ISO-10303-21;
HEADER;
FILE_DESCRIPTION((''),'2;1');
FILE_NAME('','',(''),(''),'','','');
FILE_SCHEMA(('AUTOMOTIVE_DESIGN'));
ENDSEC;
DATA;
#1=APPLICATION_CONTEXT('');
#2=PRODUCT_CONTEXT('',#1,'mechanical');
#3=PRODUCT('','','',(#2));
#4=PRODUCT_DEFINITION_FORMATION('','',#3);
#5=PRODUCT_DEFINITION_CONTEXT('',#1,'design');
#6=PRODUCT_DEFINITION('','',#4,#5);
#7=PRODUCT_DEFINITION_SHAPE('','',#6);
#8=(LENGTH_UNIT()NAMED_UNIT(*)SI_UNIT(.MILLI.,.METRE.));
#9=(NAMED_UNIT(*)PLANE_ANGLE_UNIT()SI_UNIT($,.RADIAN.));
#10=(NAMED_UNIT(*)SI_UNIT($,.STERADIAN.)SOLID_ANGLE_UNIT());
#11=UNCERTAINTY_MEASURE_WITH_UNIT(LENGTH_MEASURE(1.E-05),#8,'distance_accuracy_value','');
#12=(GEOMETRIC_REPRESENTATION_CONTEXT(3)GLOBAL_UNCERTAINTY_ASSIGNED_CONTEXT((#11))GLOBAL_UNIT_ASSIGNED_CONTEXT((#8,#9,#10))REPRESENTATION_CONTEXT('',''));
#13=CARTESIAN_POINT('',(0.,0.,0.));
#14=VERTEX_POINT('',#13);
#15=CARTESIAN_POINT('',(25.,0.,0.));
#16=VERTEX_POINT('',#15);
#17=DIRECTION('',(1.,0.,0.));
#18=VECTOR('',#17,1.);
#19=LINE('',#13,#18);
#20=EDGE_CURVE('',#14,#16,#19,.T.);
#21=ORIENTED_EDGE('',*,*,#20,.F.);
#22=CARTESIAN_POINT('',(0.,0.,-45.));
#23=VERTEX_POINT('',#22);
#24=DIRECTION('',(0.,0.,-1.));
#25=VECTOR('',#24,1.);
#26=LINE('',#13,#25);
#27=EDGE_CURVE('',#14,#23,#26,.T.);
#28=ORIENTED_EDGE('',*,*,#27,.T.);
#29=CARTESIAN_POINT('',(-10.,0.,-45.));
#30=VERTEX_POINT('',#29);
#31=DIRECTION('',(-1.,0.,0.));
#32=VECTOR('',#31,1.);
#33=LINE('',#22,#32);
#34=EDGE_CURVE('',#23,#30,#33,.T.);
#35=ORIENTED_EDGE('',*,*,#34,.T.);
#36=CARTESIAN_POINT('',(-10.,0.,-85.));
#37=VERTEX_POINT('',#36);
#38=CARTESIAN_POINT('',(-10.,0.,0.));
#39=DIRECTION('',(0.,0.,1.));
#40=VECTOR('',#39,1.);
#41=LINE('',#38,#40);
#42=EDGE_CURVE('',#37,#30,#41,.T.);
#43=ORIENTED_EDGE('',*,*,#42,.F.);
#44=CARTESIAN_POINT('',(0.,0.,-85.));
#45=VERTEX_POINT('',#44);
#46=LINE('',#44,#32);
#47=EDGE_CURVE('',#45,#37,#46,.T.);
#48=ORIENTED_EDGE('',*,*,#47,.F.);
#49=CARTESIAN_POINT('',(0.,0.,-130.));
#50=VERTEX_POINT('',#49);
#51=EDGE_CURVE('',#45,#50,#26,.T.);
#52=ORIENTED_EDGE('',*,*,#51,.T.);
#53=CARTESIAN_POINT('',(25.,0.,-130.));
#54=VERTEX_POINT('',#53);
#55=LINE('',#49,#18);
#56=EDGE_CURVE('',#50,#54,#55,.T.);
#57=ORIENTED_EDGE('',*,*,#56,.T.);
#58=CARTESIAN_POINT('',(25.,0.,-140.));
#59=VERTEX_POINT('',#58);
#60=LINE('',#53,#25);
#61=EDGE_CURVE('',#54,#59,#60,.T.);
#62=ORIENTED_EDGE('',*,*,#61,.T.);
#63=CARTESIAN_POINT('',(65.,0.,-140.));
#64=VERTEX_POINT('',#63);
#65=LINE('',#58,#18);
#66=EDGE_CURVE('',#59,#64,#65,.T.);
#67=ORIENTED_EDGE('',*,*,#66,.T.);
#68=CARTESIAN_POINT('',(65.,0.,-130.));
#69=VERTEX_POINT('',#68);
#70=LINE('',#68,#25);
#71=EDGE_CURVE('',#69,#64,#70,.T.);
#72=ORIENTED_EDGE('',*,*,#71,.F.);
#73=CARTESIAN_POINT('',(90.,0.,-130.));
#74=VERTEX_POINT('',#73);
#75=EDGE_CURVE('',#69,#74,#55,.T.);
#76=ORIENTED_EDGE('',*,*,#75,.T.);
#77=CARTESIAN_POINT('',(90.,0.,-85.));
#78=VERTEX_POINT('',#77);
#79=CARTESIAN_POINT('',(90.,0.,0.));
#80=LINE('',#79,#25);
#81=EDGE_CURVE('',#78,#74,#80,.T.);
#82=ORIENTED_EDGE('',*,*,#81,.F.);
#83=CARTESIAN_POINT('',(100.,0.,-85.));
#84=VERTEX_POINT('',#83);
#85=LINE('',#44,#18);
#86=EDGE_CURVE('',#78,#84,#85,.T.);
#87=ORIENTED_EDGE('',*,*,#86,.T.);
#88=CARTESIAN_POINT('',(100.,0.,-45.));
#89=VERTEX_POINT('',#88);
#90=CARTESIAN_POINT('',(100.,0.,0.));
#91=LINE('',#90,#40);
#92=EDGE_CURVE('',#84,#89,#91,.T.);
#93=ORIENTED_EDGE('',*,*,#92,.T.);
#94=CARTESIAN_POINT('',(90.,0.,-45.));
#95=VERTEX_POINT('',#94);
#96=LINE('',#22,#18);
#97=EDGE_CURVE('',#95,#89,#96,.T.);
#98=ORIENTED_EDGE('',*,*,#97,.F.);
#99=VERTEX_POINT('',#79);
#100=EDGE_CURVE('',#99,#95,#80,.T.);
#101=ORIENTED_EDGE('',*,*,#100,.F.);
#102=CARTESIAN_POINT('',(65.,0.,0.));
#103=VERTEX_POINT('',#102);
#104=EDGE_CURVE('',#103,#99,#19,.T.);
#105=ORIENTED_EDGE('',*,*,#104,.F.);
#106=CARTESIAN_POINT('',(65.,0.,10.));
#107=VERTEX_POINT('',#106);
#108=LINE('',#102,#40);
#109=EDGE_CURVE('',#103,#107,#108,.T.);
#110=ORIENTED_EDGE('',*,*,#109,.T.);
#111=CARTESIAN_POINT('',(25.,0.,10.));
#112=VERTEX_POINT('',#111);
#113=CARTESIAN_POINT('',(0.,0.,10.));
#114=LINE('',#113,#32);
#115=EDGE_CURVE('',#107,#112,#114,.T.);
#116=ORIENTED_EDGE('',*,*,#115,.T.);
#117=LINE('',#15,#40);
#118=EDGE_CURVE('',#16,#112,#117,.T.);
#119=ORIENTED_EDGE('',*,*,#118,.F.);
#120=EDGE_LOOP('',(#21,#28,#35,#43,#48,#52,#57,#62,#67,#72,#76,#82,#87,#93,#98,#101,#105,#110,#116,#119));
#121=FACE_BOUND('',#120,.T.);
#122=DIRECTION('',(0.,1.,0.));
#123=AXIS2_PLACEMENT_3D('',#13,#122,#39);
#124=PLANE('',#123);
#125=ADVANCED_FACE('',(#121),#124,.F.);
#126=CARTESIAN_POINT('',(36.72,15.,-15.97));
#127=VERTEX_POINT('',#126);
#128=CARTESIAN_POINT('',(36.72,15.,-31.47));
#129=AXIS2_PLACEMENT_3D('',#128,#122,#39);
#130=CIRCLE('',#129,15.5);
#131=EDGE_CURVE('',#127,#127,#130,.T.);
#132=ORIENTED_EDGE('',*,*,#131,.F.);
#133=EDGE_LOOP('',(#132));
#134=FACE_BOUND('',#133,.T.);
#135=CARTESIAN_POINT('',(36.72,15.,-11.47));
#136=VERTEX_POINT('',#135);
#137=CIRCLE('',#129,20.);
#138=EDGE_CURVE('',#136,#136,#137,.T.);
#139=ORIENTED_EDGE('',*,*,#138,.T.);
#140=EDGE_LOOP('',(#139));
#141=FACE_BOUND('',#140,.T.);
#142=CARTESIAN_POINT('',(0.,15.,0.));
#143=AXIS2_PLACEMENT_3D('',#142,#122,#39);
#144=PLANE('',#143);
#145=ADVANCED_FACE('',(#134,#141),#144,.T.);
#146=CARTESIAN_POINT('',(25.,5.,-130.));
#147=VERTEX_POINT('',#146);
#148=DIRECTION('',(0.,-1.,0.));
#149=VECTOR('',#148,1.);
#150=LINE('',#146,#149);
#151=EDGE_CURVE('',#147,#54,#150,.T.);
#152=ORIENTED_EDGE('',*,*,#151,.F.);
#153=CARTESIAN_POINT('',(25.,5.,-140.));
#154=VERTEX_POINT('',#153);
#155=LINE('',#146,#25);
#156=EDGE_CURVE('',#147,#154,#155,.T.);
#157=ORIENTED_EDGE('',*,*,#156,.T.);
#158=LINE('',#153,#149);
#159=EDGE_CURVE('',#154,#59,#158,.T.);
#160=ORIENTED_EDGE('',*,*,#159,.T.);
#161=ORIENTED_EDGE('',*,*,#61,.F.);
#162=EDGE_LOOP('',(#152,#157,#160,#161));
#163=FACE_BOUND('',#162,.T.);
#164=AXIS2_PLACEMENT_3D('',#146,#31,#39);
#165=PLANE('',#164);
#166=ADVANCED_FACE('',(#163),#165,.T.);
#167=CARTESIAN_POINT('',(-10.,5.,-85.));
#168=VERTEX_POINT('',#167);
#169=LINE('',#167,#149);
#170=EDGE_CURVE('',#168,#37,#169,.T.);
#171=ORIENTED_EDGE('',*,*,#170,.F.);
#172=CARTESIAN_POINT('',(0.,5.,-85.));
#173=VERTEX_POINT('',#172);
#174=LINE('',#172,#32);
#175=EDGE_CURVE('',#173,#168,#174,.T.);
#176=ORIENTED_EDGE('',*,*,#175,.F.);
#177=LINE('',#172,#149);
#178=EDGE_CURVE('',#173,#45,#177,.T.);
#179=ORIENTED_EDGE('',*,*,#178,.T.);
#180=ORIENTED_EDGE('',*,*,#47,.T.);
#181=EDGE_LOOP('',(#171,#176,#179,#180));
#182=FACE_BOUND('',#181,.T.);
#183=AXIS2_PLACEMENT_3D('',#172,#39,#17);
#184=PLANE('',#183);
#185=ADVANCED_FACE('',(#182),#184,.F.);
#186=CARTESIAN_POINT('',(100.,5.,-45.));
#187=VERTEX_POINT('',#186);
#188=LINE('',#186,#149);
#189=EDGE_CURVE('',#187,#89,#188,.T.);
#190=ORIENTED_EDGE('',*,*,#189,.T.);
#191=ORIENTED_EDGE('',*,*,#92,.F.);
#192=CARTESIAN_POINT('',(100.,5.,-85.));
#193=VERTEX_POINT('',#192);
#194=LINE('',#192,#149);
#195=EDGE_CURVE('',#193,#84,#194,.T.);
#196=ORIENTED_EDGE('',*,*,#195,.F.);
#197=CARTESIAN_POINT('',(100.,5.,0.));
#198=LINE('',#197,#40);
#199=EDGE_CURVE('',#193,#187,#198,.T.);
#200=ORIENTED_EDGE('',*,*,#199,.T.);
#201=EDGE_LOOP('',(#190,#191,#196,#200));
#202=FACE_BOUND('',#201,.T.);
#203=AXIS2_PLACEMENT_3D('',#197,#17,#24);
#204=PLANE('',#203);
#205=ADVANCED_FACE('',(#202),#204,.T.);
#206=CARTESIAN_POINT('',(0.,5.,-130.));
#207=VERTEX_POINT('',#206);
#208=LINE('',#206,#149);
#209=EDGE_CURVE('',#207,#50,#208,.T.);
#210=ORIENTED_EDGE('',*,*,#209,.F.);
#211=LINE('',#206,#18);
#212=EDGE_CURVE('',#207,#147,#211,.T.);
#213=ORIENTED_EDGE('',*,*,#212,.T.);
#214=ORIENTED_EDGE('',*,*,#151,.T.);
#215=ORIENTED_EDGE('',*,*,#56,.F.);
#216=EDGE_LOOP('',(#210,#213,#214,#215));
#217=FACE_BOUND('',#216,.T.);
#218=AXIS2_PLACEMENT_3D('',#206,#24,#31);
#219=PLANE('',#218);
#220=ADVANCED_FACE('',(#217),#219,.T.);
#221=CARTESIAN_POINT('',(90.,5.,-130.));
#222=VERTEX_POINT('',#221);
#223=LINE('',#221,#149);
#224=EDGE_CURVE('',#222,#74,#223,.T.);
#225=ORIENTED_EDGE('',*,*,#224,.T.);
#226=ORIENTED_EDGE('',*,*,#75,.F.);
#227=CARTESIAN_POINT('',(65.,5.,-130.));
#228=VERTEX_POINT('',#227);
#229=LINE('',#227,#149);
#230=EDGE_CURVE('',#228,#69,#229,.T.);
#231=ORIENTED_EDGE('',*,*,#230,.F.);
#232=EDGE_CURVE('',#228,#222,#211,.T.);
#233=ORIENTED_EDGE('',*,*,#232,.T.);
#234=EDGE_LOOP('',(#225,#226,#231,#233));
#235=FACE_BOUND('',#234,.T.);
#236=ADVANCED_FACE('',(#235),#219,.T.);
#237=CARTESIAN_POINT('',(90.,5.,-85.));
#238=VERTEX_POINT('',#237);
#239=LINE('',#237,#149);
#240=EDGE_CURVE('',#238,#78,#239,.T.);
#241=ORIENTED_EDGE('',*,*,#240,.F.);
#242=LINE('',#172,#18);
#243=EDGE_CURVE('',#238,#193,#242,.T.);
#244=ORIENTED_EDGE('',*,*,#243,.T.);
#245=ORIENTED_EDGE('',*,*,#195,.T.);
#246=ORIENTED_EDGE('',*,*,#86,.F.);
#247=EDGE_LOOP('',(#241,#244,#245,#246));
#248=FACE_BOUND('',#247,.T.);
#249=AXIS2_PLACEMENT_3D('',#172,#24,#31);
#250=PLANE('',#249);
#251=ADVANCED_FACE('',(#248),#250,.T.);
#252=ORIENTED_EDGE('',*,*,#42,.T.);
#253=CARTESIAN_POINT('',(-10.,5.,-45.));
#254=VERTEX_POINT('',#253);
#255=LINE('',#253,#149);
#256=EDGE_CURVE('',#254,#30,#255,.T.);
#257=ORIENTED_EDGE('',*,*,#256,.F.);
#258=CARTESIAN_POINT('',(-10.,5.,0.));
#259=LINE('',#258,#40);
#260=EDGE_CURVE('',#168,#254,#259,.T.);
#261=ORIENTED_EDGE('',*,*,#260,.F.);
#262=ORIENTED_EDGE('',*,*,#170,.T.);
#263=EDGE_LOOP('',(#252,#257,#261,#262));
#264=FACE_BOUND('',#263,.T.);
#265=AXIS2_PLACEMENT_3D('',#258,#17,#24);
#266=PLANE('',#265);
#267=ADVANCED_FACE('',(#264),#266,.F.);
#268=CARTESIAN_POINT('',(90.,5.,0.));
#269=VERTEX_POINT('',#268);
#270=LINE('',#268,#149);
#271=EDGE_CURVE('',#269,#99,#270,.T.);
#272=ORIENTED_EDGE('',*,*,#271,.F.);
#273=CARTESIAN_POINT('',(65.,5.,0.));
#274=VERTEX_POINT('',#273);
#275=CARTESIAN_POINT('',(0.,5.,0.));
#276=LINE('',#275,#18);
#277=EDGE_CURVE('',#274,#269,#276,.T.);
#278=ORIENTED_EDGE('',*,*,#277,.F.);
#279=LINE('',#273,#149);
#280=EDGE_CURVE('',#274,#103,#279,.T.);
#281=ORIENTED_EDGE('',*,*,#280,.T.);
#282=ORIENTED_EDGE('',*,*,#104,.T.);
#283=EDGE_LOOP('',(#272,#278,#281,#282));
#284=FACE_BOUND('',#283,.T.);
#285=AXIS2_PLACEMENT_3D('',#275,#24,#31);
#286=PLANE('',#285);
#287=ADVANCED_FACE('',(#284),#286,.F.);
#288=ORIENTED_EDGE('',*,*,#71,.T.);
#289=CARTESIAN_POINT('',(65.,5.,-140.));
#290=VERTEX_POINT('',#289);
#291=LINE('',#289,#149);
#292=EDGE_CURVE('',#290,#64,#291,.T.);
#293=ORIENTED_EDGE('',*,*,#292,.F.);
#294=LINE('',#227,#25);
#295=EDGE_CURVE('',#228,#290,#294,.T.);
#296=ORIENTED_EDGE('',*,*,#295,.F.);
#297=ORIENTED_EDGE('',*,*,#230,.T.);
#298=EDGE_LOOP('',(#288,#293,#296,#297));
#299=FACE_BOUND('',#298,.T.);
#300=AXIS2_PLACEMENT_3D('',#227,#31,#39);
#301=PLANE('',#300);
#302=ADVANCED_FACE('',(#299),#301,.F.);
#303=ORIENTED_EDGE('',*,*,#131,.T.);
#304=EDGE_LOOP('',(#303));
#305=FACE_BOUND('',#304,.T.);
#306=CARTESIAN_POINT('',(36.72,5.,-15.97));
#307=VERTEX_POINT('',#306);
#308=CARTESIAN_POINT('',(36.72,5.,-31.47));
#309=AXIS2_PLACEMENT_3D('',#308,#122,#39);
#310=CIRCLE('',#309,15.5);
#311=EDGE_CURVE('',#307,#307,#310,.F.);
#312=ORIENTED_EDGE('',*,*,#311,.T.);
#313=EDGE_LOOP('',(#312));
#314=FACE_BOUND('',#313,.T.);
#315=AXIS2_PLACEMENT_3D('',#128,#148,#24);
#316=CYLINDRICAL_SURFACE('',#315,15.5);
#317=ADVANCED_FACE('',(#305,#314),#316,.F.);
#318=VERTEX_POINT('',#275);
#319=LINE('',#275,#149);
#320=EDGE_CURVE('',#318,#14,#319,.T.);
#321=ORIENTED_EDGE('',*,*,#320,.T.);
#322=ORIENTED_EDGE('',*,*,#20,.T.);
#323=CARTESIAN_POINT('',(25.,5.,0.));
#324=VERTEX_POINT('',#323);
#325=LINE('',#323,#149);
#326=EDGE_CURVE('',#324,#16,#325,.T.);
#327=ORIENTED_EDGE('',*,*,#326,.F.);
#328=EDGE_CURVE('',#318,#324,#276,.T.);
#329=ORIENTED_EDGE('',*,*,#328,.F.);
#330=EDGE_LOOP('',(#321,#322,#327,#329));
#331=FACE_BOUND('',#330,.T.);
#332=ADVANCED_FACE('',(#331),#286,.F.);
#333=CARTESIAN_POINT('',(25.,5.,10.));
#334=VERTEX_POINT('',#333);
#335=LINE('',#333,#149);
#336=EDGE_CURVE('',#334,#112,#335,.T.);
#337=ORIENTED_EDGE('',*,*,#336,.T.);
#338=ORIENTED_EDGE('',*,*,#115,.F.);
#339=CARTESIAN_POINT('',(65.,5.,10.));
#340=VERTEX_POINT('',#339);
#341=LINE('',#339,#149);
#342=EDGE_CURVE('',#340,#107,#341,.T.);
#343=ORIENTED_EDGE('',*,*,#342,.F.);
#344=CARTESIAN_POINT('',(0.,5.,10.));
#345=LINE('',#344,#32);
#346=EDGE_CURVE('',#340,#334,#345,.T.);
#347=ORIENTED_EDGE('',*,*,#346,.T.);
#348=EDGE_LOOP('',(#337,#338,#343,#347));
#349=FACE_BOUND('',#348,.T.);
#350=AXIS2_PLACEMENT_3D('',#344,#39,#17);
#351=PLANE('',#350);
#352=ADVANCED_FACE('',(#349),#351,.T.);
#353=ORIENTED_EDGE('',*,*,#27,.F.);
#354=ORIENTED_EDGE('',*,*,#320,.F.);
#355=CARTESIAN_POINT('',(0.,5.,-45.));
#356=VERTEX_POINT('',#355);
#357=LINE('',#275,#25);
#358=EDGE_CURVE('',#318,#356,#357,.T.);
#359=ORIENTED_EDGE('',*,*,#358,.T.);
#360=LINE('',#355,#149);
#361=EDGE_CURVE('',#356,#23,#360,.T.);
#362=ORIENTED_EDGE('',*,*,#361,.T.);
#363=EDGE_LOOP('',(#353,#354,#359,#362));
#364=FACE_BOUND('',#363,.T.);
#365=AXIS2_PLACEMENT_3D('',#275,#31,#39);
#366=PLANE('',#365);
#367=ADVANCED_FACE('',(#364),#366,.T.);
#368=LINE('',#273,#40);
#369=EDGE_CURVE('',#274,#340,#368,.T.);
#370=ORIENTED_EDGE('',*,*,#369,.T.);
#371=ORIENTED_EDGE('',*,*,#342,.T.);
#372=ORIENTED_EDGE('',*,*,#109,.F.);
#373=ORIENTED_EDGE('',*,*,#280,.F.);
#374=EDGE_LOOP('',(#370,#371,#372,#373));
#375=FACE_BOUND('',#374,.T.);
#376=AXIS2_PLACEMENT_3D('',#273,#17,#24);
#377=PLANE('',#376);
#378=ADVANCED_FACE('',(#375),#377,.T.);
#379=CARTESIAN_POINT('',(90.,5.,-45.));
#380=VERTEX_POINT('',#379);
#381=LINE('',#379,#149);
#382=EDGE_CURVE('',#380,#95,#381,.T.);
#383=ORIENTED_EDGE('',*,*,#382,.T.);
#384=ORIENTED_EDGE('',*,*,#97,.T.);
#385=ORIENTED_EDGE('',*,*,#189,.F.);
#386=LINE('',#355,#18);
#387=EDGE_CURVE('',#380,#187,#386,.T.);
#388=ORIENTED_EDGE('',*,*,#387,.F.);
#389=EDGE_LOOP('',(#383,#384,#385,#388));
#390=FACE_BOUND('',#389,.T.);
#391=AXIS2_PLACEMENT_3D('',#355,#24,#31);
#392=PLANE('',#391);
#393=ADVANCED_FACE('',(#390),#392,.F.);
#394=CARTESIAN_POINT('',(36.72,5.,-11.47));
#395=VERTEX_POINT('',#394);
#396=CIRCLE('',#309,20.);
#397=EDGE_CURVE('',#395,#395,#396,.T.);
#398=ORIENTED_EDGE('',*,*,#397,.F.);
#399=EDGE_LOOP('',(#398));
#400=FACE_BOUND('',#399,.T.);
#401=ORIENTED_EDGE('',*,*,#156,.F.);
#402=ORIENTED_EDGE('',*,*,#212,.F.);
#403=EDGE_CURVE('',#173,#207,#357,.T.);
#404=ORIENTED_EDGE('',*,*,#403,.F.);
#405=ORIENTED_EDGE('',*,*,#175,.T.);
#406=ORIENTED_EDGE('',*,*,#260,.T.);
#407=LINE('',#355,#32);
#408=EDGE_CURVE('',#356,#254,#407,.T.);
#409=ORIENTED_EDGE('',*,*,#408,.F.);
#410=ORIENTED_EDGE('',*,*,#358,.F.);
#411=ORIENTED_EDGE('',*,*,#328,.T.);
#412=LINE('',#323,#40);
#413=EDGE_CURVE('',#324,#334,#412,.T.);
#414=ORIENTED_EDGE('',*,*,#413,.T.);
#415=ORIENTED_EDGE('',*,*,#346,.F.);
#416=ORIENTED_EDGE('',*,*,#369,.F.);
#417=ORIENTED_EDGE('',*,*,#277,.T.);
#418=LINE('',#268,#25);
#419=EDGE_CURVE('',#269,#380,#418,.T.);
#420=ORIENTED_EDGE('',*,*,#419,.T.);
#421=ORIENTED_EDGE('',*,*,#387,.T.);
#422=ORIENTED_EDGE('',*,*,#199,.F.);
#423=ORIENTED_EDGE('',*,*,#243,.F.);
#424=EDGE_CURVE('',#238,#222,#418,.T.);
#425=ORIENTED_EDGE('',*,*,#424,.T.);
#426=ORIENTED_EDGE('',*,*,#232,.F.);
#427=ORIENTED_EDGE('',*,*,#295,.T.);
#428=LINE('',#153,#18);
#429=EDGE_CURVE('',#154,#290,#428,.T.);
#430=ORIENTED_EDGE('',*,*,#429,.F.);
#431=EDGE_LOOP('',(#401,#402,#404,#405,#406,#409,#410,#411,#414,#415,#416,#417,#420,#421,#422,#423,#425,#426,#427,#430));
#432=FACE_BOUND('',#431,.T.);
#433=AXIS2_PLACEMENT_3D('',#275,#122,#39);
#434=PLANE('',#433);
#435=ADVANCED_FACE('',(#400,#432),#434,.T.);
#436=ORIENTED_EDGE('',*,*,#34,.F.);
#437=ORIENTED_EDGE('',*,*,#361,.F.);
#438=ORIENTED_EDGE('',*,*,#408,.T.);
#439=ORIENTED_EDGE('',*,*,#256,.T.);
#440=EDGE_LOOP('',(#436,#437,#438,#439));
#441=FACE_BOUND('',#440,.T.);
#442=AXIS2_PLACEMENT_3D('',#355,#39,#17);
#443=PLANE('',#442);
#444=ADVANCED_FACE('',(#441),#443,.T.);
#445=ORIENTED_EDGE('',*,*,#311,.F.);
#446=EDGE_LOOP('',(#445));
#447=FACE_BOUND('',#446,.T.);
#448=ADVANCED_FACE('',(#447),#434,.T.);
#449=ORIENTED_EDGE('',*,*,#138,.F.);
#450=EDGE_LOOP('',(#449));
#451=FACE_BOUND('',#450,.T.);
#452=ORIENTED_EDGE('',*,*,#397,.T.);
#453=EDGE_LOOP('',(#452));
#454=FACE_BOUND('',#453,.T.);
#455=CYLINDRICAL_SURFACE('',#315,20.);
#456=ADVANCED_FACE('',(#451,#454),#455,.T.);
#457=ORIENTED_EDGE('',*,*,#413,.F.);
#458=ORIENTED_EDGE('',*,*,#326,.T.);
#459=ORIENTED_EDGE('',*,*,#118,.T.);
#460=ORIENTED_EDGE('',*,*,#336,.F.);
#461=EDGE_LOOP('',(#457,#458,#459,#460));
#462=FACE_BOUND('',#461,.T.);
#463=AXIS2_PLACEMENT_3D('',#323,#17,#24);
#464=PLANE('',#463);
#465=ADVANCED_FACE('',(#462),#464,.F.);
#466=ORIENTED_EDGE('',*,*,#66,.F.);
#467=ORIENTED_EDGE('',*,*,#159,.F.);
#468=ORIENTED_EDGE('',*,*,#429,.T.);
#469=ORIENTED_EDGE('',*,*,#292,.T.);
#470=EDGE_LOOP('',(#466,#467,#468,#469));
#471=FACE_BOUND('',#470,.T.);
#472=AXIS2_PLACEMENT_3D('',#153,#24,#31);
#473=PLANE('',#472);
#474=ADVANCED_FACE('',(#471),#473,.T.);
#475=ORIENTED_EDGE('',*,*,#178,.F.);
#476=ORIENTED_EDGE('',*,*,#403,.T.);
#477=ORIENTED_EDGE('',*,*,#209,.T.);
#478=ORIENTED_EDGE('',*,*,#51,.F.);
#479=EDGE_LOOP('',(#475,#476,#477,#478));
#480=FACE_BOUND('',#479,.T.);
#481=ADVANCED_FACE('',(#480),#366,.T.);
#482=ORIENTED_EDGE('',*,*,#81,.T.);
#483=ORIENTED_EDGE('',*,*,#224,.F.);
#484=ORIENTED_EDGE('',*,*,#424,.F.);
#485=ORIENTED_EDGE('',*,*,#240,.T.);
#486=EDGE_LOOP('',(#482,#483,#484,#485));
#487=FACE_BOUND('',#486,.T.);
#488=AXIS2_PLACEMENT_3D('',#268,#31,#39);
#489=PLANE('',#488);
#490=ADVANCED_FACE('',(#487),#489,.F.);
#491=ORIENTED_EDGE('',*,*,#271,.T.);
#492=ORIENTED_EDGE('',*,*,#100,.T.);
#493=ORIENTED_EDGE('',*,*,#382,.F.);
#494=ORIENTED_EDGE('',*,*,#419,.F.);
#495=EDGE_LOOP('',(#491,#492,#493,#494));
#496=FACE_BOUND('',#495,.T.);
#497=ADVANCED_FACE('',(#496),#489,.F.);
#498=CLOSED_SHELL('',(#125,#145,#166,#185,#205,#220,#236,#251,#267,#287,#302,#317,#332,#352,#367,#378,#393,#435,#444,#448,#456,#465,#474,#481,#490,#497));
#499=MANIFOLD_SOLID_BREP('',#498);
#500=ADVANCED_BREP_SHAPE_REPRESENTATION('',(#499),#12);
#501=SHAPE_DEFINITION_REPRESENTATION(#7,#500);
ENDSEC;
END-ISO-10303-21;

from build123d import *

# Parameters (mm, degrees)
SKETCH1_W           = 90
SKETCH1_H           = 130
SKETCH1_W_2         = 10
SKETCH1_H_2         = 40
SKETCH1_W_3         = 40
SKETCH1_H_3         = 10
BOSS_EXTRUDE1_DEPTH = 5
SKETCH4_R           = 20
SKETCH4_R_2         = 15.5
BOSS_EXTRUDE2_DEPTH = 10


with BuildPart() as part:
    # Sketch1 → Boss-Extrude1 (new body)
    with BuildSketch(Plane(origin=(0, 0, 0), x_dir=(1, 0, 0), z_dir=(0, 1, 0))):
        with Locations((45, 65)):
            Rectangle(SKETCH1_W, SKETCH1_H)
        with Locations((-5, 65)):
            Rectangle(SKETCH1_W_2, SKETCH1_H_2)
        with Locations((95, 65)):
            Rectangle(SKETCH1_W_2, SKETCH1_H_2)
        with Locations((45, -5)):
            Rectangle(SKETCH1_W_3, SKETCH1_H_3)
        with Locations((45, 135)):
            Rectangle(SKETCH1_W_3, SKETCH1_H_3)
    extrude(amount=BOSS_EXTRUDE1_DEPTH)

    # Sketch4 → Boss-Extrude2 (add)
    with BuildSketch(Plane(origin=(0, 5, 0), x_dir=(1, 0, 0), z_dir=(0, 1, 0))):
        with Locations(Location((36.72, 31.47, 0), (0, 0, 270))):
            Circle(SKETCH4_R)
        with Locations(Location((36.72, 31.47, 0), (0, 0, 270))):
            Circle(SKETCH4_R_2, mode=Mode.SUBTRACT)
    extrude(amount=BOSS_EXTRUDE2_DEPTH)


solid = part.part
